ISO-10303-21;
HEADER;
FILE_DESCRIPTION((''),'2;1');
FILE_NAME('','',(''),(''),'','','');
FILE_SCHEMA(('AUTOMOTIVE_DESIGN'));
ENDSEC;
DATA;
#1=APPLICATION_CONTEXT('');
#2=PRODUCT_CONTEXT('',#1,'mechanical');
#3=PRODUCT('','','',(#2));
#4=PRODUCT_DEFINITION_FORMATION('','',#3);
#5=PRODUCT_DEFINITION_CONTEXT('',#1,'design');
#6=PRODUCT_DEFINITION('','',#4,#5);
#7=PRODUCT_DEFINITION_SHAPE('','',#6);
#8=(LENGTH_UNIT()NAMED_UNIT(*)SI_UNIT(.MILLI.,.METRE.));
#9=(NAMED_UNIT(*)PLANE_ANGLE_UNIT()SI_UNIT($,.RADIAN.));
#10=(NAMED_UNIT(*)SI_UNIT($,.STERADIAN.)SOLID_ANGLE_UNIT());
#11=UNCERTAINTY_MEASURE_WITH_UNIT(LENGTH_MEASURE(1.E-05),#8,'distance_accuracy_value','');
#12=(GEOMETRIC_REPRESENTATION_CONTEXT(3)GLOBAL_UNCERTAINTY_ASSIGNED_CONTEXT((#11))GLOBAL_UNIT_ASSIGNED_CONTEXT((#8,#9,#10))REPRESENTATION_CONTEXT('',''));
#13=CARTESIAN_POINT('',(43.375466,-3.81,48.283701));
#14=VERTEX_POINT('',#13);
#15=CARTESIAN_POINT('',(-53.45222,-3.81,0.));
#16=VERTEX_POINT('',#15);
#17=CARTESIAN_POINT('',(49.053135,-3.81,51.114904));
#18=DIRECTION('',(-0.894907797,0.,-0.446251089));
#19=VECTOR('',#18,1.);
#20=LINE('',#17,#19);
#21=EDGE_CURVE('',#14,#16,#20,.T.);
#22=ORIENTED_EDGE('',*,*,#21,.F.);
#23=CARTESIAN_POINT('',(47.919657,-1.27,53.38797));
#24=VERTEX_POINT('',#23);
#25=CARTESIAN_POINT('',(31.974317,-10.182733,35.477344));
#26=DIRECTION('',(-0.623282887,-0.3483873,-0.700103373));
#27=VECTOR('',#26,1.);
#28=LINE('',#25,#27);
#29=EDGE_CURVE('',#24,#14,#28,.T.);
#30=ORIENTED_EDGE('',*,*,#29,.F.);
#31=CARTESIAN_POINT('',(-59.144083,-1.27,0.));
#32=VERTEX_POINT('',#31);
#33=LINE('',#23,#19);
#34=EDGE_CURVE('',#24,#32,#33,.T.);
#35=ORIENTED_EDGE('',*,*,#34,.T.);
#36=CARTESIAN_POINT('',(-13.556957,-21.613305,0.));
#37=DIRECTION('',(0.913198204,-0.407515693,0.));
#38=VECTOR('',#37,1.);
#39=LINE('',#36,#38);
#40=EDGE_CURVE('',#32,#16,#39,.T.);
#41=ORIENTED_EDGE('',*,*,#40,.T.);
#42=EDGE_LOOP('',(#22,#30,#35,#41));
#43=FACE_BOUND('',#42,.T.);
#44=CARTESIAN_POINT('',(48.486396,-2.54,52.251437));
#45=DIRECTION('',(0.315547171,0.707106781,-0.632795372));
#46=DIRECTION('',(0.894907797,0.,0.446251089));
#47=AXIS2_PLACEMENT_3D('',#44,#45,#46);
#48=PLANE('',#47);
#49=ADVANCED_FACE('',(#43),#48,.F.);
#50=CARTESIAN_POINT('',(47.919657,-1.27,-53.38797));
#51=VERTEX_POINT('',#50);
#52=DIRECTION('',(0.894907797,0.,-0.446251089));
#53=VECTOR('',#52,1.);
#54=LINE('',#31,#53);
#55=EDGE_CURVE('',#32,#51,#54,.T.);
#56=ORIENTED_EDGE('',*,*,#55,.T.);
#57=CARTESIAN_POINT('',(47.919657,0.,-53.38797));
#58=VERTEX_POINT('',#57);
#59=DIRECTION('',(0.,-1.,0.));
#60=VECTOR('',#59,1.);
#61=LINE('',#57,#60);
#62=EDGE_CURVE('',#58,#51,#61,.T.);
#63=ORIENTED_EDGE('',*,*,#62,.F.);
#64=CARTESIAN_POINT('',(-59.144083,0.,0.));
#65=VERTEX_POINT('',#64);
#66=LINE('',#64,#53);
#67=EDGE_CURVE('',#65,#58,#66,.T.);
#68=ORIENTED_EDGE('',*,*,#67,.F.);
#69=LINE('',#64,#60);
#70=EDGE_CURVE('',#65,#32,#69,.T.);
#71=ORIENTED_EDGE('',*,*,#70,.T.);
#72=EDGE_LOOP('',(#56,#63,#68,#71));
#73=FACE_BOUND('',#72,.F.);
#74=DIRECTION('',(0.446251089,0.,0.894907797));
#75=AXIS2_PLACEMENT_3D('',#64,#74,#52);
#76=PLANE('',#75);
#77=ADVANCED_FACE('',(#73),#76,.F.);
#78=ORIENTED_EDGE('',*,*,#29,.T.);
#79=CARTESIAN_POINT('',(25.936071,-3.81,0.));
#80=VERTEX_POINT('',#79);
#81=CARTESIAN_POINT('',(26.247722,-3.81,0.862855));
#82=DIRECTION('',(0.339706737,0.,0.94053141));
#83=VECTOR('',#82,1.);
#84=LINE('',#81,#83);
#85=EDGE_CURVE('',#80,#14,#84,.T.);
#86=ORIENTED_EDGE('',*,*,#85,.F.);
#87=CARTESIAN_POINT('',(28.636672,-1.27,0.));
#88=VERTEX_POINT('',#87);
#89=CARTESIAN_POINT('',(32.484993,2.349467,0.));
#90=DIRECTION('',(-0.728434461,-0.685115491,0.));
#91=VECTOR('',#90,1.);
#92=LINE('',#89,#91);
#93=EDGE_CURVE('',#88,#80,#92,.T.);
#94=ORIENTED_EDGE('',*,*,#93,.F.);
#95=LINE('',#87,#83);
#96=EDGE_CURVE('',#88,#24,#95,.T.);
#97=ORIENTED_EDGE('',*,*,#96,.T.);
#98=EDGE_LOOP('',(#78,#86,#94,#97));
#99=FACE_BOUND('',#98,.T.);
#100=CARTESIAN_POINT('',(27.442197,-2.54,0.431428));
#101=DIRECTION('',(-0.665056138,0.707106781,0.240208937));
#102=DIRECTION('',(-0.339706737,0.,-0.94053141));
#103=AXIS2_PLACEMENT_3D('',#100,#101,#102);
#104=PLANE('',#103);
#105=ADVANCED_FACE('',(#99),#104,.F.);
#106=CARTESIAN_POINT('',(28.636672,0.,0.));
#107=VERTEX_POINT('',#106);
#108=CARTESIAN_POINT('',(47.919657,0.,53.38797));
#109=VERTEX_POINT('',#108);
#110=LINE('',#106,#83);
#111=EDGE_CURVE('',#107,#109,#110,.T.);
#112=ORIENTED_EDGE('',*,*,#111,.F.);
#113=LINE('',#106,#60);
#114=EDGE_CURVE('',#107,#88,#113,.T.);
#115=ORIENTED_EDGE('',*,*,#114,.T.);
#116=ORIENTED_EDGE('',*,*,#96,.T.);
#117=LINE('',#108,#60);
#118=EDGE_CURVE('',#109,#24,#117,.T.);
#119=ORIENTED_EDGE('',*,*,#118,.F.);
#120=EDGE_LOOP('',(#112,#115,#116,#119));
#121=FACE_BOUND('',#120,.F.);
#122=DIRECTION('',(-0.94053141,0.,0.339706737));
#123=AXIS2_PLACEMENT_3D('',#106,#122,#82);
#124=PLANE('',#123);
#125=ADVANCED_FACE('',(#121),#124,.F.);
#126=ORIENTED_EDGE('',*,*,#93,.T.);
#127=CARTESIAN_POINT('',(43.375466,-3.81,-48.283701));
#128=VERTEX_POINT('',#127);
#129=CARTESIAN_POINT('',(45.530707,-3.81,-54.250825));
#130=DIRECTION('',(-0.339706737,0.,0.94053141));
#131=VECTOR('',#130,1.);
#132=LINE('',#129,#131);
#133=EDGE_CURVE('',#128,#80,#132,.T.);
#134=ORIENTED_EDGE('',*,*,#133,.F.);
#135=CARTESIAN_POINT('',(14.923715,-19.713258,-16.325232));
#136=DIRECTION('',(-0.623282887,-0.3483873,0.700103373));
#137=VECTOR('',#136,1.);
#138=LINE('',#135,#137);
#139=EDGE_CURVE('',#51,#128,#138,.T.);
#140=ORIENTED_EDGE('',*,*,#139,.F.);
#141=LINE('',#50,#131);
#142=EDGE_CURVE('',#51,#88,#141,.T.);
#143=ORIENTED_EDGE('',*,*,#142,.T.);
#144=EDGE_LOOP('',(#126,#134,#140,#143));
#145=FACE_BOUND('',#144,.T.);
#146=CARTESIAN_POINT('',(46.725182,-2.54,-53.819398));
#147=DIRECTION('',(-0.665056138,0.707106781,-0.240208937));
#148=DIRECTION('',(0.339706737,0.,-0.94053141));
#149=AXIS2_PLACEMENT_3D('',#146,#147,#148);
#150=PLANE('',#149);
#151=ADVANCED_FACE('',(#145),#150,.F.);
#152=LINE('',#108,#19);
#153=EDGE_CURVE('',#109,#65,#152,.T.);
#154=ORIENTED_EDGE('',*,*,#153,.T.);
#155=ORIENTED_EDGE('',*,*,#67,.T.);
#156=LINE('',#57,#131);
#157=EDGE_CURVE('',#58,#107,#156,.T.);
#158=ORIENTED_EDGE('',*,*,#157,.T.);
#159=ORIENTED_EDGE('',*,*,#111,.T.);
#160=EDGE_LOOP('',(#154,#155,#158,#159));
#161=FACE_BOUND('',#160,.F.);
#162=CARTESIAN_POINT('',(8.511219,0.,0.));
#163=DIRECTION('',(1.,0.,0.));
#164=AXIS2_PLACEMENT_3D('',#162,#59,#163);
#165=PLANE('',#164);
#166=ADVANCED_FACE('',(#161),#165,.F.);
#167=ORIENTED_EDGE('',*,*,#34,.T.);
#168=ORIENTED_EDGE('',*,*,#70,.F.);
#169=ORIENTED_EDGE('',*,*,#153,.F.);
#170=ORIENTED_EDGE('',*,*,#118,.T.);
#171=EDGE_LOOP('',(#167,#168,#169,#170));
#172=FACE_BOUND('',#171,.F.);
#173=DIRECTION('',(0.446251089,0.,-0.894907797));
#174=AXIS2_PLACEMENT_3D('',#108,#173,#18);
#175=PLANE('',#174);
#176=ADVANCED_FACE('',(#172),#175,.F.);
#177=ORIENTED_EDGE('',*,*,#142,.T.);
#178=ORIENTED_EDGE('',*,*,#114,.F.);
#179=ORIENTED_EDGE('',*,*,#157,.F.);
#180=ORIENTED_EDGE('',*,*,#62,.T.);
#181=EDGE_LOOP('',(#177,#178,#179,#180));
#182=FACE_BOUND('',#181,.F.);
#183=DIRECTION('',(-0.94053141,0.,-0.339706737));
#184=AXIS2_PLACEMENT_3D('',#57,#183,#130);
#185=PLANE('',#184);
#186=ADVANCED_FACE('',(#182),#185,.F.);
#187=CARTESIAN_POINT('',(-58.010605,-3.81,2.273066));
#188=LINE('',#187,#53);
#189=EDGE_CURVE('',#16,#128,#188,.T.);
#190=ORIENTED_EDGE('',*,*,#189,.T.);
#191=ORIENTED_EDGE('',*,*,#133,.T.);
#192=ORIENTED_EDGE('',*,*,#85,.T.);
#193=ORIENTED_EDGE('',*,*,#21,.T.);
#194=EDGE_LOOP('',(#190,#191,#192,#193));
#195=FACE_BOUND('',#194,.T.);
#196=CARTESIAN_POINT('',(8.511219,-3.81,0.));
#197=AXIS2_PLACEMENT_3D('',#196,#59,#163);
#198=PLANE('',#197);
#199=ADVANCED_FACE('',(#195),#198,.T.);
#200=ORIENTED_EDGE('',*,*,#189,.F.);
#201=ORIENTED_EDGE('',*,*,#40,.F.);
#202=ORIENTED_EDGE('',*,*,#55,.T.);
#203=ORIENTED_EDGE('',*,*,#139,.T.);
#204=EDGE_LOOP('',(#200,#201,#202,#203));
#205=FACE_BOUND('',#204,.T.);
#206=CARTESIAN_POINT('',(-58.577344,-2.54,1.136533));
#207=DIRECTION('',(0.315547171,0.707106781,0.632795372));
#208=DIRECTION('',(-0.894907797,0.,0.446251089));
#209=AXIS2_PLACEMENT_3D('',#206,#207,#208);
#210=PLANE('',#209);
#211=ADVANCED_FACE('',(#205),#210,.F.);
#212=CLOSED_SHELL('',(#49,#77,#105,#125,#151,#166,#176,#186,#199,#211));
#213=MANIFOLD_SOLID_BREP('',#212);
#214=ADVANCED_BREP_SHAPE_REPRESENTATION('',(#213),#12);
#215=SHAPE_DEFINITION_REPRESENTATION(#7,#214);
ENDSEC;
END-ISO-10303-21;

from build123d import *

# Parameters (mm, degrees)
F1_DEPTH = 3.81
F2_SIZE  = 2.54


with BuildPart() as f1:
    # F0 (on Front) → F1 (new body)
    with BuildSketch(Plane.XZ):
        Polygon((47.919657, 53.38797), (-59.144083, 0), (47.919657, -53.38797), (28.636672, 0), align=None)
    extrude(amount=F1_DEPTH)

    # F2
    f2_edges = [f1.edges().sort_by_distance(p)[0] for p in [
        (-5.612213, -3.81, 26.693985),
        (-5.612213, -3.81, -26.693985),
        (38.278164, -3.81, 26.693985),
        (38.278164, -3.81, -26.693985),
    ]]
    chamfer(f2_edges, length=F2_SIZE)


solid = f1.part
